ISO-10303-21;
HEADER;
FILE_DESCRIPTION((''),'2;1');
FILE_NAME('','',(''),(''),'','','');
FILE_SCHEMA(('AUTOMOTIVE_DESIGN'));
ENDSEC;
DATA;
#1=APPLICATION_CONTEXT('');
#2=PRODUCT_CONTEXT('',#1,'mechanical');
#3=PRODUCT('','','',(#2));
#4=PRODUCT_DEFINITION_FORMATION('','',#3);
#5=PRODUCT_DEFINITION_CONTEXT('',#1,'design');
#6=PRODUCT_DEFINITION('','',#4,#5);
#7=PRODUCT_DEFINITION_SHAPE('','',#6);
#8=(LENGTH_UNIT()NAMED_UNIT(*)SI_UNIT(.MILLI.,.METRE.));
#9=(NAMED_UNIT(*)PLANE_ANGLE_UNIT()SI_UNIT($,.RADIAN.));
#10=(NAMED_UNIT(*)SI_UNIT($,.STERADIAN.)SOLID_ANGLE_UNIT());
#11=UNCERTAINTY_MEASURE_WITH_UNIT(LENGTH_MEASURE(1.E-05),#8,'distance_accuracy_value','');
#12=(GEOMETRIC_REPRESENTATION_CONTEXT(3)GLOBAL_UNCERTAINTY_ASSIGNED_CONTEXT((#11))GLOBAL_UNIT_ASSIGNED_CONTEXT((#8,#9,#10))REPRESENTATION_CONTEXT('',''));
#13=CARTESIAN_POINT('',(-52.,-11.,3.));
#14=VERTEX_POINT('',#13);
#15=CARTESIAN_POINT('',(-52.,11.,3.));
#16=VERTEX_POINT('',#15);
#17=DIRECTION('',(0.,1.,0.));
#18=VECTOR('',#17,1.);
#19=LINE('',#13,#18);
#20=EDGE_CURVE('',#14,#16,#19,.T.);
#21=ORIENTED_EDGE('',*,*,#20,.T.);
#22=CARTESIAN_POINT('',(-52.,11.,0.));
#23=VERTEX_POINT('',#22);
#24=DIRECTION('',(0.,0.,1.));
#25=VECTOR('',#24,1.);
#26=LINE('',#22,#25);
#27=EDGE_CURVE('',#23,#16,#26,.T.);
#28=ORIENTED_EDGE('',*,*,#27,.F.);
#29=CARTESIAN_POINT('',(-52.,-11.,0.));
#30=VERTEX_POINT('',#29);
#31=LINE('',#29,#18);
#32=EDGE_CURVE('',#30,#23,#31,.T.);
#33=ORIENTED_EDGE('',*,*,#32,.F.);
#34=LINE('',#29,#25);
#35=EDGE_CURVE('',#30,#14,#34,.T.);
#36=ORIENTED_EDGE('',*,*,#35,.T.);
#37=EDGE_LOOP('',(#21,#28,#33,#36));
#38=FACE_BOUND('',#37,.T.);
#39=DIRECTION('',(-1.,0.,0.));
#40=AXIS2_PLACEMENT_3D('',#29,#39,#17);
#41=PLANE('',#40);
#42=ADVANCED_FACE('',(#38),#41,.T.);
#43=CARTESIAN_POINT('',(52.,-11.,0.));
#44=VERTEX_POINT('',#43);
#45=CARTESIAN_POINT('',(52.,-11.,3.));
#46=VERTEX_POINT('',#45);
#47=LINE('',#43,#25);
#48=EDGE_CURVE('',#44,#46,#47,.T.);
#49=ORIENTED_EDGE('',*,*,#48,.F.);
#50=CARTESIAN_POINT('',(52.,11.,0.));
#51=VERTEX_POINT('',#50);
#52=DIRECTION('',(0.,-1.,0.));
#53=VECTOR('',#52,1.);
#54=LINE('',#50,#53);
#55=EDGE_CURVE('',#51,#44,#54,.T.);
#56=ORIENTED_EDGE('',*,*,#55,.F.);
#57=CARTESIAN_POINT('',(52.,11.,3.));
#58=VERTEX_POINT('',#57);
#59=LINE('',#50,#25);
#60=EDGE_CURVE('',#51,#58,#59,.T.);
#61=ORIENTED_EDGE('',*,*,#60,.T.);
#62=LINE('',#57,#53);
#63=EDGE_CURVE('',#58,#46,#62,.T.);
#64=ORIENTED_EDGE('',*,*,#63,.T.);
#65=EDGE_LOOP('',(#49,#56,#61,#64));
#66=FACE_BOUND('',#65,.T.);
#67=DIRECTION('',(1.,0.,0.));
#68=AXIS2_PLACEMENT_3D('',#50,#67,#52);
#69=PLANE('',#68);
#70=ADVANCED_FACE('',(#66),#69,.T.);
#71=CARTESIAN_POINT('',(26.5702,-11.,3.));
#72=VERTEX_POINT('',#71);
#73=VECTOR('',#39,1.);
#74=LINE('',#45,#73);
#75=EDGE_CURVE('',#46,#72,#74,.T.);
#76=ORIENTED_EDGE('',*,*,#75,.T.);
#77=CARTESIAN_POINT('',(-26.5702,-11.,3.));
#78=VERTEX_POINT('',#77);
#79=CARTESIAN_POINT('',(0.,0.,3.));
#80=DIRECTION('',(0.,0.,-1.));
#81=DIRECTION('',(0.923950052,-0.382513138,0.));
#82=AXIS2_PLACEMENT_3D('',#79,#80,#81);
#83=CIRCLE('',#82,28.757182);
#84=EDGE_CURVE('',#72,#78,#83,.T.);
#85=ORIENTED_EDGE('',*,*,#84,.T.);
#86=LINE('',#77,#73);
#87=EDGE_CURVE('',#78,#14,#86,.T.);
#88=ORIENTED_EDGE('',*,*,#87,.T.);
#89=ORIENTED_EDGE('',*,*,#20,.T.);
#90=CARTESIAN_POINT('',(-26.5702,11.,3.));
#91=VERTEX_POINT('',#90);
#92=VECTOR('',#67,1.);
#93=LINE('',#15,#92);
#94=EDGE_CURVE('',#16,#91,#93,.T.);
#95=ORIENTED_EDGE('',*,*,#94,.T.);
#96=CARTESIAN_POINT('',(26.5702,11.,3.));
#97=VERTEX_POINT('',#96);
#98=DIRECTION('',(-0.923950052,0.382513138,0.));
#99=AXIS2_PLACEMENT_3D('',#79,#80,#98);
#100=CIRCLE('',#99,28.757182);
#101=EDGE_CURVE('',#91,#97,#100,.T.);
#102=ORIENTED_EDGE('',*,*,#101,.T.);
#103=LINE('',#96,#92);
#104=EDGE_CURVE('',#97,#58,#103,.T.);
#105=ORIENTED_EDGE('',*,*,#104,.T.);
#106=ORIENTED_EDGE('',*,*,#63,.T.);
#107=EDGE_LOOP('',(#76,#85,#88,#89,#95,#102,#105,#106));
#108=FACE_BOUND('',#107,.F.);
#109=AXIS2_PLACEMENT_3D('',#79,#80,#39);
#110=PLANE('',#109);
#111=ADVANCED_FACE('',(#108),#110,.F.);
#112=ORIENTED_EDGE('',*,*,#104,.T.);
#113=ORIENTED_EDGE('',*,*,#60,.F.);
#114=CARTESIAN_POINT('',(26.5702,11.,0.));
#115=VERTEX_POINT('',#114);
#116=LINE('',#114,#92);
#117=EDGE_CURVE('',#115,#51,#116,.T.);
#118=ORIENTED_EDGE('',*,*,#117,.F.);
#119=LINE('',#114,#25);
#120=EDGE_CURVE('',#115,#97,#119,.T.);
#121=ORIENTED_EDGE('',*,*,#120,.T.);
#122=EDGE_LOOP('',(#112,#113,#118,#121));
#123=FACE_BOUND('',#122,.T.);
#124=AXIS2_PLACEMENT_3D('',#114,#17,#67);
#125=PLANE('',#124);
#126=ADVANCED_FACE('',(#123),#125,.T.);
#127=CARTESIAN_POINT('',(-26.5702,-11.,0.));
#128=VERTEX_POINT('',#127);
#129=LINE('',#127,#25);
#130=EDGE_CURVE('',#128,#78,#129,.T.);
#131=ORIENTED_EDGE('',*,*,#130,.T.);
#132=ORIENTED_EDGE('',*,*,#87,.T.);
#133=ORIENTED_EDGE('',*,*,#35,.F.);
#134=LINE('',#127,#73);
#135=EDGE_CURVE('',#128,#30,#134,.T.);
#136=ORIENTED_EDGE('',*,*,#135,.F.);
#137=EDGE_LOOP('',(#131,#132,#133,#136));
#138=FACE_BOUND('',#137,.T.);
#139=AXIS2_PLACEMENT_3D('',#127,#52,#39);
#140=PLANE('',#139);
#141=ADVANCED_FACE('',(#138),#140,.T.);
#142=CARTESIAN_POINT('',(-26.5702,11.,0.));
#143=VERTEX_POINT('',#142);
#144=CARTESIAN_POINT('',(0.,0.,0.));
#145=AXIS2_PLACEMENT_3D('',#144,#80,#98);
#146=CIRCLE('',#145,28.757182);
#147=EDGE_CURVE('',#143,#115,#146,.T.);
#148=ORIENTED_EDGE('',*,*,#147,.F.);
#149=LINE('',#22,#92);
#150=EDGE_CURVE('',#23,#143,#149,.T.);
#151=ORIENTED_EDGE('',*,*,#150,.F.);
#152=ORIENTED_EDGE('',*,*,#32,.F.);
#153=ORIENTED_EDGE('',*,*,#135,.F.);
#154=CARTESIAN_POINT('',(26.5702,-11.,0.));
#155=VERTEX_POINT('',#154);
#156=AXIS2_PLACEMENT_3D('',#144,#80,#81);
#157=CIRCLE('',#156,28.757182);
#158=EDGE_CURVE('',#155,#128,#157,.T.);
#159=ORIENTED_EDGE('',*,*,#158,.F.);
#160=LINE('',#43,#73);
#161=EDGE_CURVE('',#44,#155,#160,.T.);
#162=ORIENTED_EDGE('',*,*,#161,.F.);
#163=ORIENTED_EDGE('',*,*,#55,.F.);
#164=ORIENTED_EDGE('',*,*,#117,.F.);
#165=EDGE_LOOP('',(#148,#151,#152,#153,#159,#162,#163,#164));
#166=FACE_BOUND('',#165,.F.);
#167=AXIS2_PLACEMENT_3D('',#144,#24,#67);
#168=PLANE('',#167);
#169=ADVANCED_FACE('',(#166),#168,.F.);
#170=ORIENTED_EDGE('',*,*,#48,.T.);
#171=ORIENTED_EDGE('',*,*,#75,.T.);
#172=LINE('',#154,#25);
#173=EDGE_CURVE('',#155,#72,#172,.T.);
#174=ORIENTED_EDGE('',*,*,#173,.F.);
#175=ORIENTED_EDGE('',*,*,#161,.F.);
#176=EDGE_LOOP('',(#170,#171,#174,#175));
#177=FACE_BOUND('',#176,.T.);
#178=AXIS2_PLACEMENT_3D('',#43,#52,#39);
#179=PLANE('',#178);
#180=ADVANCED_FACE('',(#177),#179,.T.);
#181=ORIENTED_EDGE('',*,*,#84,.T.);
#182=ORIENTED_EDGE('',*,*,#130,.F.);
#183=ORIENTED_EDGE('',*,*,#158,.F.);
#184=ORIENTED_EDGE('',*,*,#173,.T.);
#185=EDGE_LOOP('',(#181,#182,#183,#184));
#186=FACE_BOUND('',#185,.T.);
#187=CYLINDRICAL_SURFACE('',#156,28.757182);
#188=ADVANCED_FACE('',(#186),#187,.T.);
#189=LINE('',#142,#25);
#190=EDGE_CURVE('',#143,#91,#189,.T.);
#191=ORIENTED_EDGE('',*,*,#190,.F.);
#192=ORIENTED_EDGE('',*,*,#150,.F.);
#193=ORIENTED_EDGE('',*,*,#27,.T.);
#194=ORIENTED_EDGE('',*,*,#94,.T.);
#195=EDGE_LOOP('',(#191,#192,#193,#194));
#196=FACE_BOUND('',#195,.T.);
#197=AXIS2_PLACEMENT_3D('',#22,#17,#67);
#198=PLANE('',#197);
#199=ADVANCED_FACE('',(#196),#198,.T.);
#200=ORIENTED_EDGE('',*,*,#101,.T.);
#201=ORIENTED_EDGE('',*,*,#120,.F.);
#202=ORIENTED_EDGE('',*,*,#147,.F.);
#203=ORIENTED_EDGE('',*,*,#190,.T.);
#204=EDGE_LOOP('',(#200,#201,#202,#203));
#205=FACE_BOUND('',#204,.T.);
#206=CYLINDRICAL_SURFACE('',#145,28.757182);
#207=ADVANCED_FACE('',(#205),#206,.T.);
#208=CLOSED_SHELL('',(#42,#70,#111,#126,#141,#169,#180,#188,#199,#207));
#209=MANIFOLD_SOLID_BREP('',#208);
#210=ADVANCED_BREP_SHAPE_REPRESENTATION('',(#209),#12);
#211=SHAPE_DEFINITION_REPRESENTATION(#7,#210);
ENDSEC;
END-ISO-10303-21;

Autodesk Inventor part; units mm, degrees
ref_plane "YZ Plane" through (0, 0, 0) normal (1, 0, 0) x (0, 1, 0)
ref_plane "XZ Plane" through (0, 0, 0) normal (0, 1, 0) x (-1, 0, 0)
ref_plane "XY Plane" through (0, 0, 0) normal (0, 0, 1) x (1, 0, 0)
sketch "Skizze1" plane through (0, 0, 0) normal (0, 0, 1) x (1, 0, 0)
  line L0 (-50, 9) -> (-50, -9) construction
  line L1 (50, 9) -> (50, -9) construction
  line L2 (-50, -9) -> (-50, 9)
  line L3 (-50, 9) -> (-25.1982, 9)
  line L4 (25.1982, 9) -> (50, 9)
  line L5 (50, -9) -> (25.1982, -9)
  line L6 (-25.1982, -9) -> (-50, -9)
  line L7 (50, 9) -> (29.5255, 5.3146) construction
  arc A0 (25.1982, 9) -> (-25.1982, 9) centre (0, 0) ccw
  arc A1 (-25.1982, -9) -> (25.1982, -9) centre (0, 0) ccw
  line L8 (50, -12.5) -> (50, -9) construction
  line L9 (50, 9) -> (50, 12.5) construction
  line L10 (50, 9) -> (50, -9)
  point P0 (0, 0)
  dimension "d13" = 100
  dimension "d14" = 18
extrude "Extrusion1" add sketch "Skizze1" along normal blind 3
sketch "Skizze3" plane through (0, 0, 0) normal (0, 0, -1) x (-1, 0, 0)
  line L0 (50, -12.5) -> (50, 12.5) construction
  line L1 (50, 12.5) -> (27.2718, 12.5) construction
  arc A0 (27.2718, 12.5) -> (-27.2718, 12.5) centre (0, 0) ccw construction
  line L2 (-27.2718, 12.5) -> (-50, 12.5) construction
  line L3 (-50, 12.5) -> (-50, -12.5) construction
  line L4 (-50, -12.5) -> (-27.2718, -12.5) construction
  arc A1 (-27.2718, -12.5) -> (27.2718, -12.5) centre (0, 0) ccw construction
  line L5 (27.2718, -12.5) -> (50, -12.5) construction
  line L6 (50, 9) -> (50, -9) projected
  line L7 (50, -9) -> (25.1982, -9) projected
  arc A2 (-25.1982, -9) -> (25.1982, -9) centre (0, 0) ccw projected
  line L8 (-25.1982, -9) -> (-50, -9) projected
  line L9 (-50, -9) -> (-50, 9) projected
  line L10 (-50, 9) -> (-25.1982, 9) projected
  arc A3 (25.1982, 9) -> (-25.1982, 9) centre (0, 0) ccw projected
  line L11 (25.1982, 9) -> (50, 9) projected
  line L12 (-26.5702, 11) -> (-52, 11)
  line L13 (-52, 11) -> (-52, -11)
  line L14 (-52, -11) -> (-26.5702, -11)
  arc A4 (-26.5702, -11) -> (26.5702, -11) centre (0, 0) ccw
  line L15 (26.5702, -11) -> (52, -11)
  line L16 (52, -11) -> (52, 11)
  line L17 (52, 11) -> (26.5702, 11)
  arc A5 (26.5702, 11) -> (-26.5702, 11) centre (0, 0) ccw
  dimension "d15" = 2
extrude "Extrusion3" add sketch "Skizze3" against normal up to surface (3 mm away)
properties part number "Emblem"
